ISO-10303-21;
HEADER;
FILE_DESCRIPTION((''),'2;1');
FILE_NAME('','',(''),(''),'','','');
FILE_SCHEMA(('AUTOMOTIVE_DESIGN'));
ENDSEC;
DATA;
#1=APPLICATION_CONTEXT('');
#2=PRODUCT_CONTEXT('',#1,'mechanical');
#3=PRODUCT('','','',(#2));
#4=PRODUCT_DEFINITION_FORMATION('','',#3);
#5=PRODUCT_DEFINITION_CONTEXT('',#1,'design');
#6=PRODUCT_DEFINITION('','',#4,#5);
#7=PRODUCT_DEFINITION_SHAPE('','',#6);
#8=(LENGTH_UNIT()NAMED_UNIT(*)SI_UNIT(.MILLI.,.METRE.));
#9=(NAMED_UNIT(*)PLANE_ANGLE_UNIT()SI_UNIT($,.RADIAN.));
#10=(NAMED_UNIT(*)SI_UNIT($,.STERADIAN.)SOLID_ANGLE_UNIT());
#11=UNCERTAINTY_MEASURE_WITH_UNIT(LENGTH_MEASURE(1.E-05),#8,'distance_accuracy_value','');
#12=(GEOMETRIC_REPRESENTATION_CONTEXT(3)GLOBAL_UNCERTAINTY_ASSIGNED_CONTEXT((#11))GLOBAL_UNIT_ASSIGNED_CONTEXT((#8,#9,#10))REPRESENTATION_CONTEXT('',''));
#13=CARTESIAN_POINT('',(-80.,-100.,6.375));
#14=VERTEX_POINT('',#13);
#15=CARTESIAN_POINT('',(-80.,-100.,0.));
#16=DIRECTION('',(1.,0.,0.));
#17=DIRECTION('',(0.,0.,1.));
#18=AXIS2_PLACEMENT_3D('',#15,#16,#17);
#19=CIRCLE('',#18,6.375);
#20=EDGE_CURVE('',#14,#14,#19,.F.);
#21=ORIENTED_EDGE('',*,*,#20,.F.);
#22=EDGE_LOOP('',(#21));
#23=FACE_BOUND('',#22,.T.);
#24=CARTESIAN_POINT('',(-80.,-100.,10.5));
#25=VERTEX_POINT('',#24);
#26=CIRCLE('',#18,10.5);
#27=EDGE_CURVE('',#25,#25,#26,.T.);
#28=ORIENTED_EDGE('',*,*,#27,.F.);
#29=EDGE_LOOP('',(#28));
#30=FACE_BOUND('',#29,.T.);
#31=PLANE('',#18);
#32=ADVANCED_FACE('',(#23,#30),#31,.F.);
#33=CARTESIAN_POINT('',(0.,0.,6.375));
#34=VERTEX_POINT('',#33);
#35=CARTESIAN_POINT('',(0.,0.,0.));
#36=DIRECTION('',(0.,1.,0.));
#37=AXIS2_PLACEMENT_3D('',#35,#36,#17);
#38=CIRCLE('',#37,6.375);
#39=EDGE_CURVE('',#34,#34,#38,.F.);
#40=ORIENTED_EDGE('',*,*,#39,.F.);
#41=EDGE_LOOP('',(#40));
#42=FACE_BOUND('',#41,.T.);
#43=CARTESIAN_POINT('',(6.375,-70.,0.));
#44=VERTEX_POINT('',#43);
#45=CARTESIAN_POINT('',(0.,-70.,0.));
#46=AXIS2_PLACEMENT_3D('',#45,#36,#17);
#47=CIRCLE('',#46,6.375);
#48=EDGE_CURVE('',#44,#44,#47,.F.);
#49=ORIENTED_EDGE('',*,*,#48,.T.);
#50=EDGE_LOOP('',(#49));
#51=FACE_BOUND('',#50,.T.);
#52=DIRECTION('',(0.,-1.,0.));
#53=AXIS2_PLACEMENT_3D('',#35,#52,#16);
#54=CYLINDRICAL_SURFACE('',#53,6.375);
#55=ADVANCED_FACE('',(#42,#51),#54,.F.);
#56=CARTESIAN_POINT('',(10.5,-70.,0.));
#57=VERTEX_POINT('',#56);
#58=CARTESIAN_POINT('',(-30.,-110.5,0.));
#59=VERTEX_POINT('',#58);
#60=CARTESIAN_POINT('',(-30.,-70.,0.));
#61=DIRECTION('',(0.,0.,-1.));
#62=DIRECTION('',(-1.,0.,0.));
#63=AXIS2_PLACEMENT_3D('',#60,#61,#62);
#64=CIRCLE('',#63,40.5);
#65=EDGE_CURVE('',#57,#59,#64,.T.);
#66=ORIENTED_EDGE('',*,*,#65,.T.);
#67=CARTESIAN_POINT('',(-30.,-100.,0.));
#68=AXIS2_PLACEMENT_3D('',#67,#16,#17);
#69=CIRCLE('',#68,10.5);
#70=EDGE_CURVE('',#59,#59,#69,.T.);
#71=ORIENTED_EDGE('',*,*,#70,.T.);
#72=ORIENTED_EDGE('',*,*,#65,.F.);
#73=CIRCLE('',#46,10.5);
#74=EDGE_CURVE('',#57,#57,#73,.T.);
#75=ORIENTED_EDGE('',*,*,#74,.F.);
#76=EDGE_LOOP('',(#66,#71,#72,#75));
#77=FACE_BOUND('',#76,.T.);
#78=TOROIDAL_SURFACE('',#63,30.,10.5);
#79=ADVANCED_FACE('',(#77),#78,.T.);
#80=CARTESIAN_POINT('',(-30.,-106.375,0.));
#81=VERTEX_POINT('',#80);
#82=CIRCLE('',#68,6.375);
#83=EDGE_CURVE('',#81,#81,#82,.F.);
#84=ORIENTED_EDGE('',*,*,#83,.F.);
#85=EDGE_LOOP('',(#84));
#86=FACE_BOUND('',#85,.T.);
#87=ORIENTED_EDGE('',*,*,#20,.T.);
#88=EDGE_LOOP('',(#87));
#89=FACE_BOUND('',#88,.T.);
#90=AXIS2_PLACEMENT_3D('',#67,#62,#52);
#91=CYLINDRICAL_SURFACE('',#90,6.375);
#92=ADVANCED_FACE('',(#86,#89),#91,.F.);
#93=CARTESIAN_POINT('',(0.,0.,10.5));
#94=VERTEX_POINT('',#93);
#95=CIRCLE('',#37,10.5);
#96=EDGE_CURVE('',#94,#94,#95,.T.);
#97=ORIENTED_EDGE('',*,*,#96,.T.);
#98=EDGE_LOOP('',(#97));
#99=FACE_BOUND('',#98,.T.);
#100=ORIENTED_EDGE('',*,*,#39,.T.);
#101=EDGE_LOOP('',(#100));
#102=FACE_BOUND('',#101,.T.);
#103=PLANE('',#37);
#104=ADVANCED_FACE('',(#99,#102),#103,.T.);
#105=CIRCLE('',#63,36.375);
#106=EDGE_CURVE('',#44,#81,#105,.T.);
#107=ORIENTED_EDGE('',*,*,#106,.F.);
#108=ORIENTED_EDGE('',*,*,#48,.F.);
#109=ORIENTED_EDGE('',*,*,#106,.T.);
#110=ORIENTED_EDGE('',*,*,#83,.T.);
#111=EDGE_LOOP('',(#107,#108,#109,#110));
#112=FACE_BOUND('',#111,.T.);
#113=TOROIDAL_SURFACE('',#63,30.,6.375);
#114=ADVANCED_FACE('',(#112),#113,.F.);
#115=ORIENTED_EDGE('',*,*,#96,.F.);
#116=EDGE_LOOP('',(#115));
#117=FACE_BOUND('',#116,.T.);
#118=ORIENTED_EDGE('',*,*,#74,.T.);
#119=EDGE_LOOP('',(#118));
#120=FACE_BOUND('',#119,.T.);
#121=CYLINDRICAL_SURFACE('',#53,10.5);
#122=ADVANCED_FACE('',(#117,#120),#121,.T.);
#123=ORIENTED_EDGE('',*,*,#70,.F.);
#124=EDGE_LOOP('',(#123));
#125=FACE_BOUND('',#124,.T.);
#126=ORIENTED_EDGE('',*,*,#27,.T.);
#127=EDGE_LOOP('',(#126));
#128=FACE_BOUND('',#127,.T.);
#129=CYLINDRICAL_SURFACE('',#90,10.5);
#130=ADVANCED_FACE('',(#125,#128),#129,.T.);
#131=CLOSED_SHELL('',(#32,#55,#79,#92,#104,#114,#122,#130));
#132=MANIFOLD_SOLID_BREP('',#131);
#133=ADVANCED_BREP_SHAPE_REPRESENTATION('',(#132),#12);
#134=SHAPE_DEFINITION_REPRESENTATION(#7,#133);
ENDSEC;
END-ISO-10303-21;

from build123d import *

# Parameters (mm, degrees)
SKETCH3_R   = 10.5
SKETCH3_R_2 = 6.375


with BuildPart() as part:
    # Sweep1: sweep along a path in Sketch2
    with BuildLine(Plane.XY) as sweep1_path:
        Line((0, 0), (0, -70))
        ThreePointArc((0, -70), (-8.786796564, -91.213203436), (-30, -100))
        Line((-30, -100), (-80, -100))
    # Sketch3 → Sweep1 (sweep)
    with BuildSketch(Plane(origin=(0, 0, 0), x_dir=(1, 0, 0), z_dir=(0, 1, 0))):
        Circle(SKETCH3_R)
        Circle(SKETCH3_R_2, mode=Mode.SUBTRACT)
    sweep(path=sweep1_path.line)


solid = part.part
